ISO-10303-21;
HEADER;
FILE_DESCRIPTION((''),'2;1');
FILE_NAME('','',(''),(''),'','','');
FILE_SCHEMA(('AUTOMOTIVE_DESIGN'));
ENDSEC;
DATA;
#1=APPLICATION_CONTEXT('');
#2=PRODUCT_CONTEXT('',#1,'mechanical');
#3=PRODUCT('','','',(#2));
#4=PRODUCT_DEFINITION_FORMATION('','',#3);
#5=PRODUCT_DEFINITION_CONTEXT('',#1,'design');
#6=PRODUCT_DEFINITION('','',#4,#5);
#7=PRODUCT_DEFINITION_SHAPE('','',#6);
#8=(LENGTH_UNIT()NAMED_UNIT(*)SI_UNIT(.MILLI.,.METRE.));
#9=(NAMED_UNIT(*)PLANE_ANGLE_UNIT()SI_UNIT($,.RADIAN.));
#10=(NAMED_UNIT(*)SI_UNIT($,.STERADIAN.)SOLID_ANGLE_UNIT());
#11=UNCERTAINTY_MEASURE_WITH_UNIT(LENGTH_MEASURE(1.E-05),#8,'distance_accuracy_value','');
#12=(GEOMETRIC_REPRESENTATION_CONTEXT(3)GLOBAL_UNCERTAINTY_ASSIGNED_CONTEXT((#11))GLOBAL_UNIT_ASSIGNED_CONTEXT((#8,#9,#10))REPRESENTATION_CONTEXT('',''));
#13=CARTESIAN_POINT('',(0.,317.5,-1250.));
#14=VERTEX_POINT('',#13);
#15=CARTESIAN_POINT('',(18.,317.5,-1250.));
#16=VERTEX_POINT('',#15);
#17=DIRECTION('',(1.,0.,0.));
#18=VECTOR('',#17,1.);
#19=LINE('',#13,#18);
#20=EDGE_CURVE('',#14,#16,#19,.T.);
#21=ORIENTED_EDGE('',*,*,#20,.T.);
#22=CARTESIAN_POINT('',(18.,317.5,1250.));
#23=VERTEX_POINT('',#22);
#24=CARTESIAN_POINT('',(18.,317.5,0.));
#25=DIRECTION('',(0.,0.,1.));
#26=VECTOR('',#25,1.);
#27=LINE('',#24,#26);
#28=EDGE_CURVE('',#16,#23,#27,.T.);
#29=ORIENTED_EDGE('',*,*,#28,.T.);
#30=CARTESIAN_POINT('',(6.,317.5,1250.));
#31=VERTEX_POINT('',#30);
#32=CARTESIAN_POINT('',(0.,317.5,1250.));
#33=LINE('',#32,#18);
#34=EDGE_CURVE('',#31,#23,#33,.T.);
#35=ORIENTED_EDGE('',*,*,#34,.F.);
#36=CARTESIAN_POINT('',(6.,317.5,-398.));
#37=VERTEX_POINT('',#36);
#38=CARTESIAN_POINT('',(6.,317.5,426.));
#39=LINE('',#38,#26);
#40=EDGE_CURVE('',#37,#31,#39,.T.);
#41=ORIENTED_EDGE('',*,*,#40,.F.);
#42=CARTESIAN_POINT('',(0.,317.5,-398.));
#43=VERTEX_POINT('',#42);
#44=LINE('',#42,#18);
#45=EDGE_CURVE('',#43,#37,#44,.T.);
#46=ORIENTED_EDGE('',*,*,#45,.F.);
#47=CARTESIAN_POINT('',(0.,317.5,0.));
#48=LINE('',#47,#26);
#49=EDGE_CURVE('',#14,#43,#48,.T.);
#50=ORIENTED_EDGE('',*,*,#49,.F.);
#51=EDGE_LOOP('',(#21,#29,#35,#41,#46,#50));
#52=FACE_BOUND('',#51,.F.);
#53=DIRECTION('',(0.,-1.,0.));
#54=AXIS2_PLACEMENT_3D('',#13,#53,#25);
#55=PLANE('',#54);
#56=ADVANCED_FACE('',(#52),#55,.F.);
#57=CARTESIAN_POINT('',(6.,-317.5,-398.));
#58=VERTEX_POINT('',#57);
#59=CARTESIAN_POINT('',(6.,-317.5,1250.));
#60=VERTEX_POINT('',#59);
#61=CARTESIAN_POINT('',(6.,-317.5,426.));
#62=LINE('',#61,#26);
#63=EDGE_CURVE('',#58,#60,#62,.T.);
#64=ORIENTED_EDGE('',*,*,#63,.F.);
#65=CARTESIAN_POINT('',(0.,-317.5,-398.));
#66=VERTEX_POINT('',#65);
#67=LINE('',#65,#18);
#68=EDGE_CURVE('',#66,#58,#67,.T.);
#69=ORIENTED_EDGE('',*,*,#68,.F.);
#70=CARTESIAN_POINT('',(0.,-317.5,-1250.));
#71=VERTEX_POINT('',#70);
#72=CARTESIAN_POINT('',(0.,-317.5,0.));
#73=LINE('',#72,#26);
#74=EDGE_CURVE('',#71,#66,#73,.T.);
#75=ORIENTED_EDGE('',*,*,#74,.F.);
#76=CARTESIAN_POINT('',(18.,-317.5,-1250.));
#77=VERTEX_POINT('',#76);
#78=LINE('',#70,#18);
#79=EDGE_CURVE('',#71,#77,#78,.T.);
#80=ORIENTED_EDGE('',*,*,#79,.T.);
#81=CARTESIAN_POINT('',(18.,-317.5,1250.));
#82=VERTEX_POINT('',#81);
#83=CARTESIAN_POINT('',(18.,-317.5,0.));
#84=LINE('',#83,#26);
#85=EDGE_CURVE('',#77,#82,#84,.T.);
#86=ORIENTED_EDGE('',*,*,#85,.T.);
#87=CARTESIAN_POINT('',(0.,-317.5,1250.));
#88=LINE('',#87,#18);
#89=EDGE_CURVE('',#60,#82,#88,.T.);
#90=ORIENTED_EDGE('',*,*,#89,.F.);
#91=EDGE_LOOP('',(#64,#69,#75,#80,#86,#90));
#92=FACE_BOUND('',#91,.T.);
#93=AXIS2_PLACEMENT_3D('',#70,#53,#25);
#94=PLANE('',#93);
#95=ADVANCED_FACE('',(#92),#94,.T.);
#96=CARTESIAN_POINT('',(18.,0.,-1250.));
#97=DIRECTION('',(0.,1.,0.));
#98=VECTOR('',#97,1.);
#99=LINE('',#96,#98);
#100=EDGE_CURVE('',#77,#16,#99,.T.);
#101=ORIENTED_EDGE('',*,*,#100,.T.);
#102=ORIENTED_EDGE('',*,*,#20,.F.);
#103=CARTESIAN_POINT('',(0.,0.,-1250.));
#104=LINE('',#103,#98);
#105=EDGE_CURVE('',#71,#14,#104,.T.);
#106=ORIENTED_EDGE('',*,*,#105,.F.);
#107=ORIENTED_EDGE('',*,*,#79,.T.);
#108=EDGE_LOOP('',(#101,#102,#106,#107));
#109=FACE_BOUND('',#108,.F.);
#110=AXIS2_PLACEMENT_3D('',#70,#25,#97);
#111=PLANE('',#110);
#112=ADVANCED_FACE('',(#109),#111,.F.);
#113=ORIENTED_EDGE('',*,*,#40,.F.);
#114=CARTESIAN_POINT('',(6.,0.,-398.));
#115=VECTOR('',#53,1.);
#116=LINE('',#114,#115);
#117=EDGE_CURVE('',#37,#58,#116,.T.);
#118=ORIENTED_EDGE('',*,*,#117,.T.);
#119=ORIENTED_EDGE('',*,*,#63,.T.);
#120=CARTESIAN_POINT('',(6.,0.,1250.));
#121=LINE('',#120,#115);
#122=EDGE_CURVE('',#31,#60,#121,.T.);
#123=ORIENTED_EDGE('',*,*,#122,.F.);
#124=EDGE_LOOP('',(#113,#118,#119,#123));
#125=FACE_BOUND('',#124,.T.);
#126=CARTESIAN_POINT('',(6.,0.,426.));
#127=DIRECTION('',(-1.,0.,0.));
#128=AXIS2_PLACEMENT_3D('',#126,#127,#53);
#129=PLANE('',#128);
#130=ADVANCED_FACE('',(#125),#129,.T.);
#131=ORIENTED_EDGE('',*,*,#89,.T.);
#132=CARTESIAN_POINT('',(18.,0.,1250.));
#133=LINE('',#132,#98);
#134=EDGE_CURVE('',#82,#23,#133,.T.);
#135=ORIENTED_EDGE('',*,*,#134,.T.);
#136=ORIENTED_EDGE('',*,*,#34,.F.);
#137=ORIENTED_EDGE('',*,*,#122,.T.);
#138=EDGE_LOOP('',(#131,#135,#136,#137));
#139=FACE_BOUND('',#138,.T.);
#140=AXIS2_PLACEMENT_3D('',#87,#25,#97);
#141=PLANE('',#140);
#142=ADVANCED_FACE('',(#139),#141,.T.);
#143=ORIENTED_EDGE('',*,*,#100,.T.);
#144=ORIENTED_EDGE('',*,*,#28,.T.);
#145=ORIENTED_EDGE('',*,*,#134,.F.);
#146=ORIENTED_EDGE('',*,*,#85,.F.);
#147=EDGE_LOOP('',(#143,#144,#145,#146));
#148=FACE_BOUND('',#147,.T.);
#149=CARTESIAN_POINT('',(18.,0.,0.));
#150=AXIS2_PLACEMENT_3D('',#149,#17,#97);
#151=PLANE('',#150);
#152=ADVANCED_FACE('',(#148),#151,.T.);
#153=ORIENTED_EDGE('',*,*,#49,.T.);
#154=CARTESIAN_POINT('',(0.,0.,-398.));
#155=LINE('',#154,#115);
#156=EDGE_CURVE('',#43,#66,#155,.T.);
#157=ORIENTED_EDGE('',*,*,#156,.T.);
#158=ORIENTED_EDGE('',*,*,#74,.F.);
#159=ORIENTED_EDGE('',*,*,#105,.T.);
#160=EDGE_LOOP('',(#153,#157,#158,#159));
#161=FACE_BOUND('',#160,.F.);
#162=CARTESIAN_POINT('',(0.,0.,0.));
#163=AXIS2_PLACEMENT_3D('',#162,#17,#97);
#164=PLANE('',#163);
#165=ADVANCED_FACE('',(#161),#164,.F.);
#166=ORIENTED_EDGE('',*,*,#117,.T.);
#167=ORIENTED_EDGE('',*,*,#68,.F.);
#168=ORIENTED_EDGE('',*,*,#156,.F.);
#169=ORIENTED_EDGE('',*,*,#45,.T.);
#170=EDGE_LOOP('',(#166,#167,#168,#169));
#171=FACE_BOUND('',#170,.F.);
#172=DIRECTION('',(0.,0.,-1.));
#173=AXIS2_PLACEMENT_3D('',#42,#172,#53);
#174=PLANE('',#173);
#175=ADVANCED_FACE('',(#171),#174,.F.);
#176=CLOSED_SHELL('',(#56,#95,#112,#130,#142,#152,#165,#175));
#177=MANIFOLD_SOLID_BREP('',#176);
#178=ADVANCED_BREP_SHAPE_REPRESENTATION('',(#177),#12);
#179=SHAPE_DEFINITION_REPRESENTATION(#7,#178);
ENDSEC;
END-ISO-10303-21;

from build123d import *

# Parameters (mm, degrees)
F0_W     = 635
F0_H     = 2500
F1_DEPTH = 18
F2_W     = 635
F2_H     = 1648
F3_DEPTH = 6


with BuildPart() as f1:
    # F0 (on Right) → F1 (new body)
    with BuildSketch(Plane.YZ):
        Rectangle(F0_W, F0_H)
    extrude(amount=F1_DEPTH)

    # F2 (on face) → F3 (cut)
    with BuildSketch(Plane(origin=(0, 0, 0), x_dir=(0, -1, 0), z_dir=(-1, 0, 0))):
        with Locations((0, 426)):
            Rectangle(F2_W, F2_H)
    extrude(amount=-F3_DEPTH, mode=Mode.SUBTRACT)


solid = f1.part
